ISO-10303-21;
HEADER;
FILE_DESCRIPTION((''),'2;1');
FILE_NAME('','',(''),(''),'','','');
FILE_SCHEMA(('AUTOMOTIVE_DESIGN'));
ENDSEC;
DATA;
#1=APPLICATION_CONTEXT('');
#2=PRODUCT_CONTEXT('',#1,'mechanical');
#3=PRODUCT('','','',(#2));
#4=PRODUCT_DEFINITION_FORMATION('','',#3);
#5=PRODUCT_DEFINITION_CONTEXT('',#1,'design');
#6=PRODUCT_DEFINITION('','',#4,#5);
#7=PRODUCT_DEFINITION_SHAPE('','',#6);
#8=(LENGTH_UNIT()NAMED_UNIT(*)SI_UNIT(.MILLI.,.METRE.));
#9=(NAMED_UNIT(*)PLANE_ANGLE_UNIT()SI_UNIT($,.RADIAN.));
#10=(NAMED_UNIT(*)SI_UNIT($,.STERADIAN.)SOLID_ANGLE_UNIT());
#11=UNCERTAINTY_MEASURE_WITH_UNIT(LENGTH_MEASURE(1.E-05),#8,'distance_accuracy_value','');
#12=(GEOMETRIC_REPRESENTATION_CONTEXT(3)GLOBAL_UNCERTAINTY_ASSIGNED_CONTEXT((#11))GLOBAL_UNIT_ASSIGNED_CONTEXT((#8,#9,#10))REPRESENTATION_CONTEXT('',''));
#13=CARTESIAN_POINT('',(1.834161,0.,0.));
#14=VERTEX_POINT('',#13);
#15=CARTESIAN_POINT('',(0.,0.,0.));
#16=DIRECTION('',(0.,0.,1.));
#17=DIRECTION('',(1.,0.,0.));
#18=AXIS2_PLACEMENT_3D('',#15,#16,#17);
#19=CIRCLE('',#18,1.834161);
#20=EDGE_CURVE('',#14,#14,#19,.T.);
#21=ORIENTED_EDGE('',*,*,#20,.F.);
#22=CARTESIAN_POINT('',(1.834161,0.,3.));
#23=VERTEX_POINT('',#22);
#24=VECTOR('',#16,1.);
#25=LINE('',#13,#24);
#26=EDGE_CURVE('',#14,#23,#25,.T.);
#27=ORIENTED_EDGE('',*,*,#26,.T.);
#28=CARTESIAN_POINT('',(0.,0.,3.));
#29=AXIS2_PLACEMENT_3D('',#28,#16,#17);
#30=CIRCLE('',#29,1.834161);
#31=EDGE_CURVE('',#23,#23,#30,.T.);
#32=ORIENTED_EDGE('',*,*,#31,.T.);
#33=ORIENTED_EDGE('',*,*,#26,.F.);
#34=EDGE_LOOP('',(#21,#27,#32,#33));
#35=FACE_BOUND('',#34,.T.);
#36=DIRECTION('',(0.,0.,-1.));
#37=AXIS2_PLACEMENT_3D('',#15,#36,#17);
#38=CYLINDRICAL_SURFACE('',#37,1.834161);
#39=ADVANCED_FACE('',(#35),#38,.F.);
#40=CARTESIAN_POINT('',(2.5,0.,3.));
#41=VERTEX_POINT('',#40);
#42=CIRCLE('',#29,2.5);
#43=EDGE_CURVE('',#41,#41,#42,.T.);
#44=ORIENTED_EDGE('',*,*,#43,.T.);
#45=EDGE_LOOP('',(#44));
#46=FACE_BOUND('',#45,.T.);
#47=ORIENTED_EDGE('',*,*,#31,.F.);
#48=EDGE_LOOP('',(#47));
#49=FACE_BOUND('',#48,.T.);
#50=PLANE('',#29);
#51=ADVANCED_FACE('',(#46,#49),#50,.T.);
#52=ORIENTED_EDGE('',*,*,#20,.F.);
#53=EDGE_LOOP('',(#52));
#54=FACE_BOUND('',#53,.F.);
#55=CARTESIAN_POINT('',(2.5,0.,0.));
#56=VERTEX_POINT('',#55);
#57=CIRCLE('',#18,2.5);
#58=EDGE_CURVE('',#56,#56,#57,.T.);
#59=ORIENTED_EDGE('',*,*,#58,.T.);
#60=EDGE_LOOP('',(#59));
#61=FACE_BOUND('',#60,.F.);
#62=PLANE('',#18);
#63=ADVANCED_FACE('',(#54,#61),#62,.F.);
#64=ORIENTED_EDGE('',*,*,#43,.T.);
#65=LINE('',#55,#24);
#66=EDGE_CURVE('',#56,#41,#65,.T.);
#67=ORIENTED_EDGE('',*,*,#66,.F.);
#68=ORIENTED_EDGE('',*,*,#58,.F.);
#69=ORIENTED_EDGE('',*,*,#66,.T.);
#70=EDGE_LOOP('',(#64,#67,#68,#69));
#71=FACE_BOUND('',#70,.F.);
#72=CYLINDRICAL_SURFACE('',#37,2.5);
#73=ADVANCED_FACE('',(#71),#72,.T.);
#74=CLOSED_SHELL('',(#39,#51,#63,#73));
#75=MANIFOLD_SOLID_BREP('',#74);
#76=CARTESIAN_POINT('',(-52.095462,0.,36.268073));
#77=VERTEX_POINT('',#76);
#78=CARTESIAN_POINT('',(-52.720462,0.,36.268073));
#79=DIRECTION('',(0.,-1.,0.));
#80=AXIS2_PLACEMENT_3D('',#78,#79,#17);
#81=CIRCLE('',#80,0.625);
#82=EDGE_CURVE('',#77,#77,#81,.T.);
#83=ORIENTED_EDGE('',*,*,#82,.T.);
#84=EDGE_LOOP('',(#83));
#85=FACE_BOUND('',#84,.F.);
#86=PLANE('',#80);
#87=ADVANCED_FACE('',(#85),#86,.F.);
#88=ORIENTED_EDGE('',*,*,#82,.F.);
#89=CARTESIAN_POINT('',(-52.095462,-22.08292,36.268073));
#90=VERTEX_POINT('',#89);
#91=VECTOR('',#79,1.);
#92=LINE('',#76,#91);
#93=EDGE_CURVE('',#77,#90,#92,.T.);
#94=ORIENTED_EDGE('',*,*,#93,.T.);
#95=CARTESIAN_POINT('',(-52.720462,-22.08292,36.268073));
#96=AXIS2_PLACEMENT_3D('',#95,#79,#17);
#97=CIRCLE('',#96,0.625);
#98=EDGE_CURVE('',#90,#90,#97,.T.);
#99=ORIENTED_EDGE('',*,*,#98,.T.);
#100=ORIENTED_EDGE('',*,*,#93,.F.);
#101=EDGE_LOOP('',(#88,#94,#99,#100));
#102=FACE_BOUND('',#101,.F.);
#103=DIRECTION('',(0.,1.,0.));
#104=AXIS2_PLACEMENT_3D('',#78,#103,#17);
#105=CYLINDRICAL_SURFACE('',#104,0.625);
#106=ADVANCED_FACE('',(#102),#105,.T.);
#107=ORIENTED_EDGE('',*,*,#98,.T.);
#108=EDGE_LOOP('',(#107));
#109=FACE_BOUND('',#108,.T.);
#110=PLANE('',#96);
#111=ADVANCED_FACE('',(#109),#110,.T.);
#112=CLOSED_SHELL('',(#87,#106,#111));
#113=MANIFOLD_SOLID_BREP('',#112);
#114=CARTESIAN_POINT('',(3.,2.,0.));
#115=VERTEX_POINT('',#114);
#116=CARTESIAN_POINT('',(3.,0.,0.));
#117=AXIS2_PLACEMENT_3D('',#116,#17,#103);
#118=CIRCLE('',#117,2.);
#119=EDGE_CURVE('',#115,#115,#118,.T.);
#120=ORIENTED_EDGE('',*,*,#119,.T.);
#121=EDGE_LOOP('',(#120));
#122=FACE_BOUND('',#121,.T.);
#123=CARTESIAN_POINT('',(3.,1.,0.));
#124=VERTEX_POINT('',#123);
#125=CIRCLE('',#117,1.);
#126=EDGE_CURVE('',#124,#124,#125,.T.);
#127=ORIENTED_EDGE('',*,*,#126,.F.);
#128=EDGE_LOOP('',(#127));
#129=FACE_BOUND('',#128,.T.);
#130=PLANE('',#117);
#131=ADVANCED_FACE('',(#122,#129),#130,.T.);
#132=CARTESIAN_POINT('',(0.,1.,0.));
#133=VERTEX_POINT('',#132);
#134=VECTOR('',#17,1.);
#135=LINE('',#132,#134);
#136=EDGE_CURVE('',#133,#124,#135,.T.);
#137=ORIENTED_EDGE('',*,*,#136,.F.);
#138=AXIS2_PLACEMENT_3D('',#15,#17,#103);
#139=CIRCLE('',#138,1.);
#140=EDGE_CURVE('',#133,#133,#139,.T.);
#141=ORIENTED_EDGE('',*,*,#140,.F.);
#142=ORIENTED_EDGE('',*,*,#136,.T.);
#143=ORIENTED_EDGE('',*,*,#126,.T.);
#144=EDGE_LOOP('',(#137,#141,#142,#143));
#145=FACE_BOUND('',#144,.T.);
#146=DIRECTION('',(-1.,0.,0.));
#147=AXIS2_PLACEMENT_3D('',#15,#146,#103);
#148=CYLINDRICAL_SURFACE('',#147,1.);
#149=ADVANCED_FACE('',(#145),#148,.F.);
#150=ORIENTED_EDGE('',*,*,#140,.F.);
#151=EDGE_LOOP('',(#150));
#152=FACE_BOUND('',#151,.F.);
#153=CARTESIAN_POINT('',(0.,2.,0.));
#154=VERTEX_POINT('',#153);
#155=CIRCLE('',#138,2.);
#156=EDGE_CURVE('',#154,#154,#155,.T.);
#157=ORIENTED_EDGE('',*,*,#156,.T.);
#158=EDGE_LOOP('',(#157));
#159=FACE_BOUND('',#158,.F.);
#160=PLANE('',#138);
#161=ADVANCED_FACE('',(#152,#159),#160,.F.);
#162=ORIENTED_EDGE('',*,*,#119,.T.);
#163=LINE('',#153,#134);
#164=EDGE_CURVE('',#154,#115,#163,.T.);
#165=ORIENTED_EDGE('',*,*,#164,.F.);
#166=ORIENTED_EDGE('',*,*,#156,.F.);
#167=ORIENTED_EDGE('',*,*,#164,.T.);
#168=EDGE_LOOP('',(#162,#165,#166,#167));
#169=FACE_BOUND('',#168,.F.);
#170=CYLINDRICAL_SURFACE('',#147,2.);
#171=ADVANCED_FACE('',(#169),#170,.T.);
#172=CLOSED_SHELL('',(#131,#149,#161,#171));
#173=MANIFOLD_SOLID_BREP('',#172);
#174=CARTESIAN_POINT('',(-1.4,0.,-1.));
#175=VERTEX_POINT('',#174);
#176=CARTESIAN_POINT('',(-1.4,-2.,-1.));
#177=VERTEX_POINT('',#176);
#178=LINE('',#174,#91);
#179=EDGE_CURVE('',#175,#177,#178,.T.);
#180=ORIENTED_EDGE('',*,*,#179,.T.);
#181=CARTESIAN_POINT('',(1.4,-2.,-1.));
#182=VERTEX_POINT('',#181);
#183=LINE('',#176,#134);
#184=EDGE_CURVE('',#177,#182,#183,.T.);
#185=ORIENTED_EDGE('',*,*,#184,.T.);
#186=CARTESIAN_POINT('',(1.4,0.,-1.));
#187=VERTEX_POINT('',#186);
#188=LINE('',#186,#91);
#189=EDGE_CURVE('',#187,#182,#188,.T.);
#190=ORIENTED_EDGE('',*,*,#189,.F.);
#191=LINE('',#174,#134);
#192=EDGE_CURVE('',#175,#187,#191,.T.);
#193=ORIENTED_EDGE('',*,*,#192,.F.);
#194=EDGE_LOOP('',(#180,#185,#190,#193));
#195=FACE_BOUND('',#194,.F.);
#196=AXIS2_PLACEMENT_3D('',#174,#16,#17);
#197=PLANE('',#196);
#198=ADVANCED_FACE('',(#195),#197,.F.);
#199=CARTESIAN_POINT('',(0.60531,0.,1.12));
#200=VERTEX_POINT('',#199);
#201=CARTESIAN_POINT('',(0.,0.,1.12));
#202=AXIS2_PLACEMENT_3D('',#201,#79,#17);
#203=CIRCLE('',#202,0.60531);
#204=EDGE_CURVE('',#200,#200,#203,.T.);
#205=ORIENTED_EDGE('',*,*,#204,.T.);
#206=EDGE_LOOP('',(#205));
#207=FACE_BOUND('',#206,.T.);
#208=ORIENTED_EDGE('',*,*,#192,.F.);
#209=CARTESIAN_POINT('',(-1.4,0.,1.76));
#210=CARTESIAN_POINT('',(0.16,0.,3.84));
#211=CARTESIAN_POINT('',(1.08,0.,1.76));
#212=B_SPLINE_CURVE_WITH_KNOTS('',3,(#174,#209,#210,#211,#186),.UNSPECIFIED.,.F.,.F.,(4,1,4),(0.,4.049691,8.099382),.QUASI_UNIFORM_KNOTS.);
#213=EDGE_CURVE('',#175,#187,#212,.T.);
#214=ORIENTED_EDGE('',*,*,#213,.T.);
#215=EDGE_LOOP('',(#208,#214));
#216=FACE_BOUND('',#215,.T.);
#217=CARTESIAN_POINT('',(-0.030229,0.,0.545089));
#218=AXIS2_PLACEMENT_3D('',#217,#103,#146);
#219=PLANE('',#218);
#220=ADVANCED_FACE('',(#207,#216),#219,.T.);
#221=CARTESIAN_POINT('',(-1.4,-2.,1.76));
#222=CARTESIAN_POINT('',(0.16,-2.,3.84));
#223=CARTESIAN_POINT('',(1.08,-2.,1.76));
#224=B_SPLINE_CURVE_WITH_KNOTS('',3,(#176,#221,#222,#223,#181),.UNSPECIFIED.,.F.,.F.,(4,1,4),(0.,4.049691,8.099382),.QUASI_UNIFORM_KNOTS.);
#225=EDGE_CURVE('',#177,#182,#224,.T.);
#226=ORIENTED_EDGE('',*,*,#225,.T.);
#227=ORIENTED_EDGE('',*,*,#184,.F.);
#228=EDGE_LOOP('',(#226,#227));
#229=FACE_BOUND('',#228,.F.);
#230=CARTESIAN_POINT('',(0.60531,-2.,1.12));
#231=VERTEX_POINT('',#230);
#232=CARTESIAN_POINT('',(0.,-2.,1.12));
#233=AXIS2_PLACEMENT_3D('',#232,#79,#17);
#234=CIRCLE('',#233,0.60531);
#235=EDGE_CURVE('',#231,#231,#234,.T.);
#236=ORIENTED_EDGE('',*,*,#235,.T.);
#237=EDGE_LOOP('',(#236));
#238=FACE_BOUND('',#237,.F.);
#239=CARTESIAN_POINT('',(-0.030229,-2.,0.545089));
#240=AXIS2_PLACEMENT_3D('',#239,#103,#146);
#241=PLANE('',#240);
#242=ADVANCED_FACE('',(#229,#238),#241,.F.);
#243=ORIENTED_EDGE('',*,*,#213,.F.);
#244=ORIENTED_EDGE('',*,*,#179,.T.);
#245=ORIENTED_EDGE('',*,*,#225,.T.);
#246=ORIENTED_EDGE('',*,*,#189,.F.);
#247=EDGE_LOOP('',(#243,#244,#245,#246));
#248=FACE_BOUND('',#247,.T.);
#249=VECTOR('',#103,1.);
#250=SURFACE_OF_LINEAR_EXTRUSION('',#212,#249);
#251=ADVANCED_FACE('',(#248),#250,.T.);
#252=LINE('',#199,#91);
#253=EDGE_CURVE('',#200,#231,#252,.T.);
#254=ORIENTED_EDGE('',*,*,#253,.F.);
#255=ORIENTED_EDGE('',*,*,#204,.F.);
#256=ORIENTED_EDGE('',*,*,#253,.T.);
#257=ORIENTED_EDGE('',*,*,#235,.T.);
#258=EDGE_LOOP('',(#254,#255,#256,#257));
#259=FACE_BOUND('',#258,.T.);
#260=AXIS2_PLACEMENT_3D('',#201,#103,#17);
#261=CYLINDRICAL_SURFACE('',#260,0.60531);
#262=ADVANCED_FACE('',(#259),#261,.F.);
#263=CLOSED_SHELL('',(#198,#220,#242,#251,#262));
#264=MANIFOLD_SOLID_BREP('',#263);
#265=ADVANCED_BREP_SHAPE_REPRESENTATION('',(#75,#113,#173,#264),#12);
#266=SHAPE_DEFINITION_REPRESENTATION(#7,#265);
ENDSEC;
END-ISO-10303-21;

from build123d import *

# Parameters (mm, degrees)
F0_R     = 0.625
F1_DEPTH = 22.08292
F2_R     = 2.5
F2_R_2   = 1.834161
F3_DEPTH = 3
F4_R     = 2
F4_R_2   = 1
F5_DEPTH = 3
F6_R     = 0.60531
F7_DEPTH = 2


with BuildPart() as f1:
    # F0 (on Front) → F1 (new body)
    with BuildSketch(Plane.XZ):
        with Locations((-52.720462, 36.268073)):
            Circle(F0_R)
    extrude(amount=F1_DEPTH)


with BuildPart() as f3:
    # F2 (on Top) → F3 (new body)
    with BuildSketch(Plane.XY):
        Circle(F2_R)
        Circle(F2_R_2, mode=Mode.SUBTRACT)
    extrude(amount=F3_DEPTH)


with BuildPart() as f5:
    # F4 (on Right) → F5 (new body)
    with BuildSketch(Plane.YZ):
        Circle(F4_R)
        Circle(F4_R_2, mode=Mode.SUBTRACT)
    extrude(amount=F5_DEPTH)


with BuildPart() as f7:
    # F6 (on Front) → F7 (new body)
    with BuildSketch(Plane.XZ):
        with BuildLine():
            add(Edge.make_bspline(
                [(-1.4, -1), (-1.4, 1.76), (0.16, 3.84), (1.08, 1.76), (1.4, -1)],
                knots=[0, 0, 0, 0, 4.049691, 8.099382, 8.099382, 8.099382, 8.099382], degree=3))
            Line((-1.4, -1), (1.4, -1))
        make_face()
        with Locations((0, 1.12)):
            Circle(F6_R, mode=Mode.SUBTRACT)
    extrude(amount=F7_DEPTH)


solid = Compound([f1.part, f3.part, f5.part, f7.part])
